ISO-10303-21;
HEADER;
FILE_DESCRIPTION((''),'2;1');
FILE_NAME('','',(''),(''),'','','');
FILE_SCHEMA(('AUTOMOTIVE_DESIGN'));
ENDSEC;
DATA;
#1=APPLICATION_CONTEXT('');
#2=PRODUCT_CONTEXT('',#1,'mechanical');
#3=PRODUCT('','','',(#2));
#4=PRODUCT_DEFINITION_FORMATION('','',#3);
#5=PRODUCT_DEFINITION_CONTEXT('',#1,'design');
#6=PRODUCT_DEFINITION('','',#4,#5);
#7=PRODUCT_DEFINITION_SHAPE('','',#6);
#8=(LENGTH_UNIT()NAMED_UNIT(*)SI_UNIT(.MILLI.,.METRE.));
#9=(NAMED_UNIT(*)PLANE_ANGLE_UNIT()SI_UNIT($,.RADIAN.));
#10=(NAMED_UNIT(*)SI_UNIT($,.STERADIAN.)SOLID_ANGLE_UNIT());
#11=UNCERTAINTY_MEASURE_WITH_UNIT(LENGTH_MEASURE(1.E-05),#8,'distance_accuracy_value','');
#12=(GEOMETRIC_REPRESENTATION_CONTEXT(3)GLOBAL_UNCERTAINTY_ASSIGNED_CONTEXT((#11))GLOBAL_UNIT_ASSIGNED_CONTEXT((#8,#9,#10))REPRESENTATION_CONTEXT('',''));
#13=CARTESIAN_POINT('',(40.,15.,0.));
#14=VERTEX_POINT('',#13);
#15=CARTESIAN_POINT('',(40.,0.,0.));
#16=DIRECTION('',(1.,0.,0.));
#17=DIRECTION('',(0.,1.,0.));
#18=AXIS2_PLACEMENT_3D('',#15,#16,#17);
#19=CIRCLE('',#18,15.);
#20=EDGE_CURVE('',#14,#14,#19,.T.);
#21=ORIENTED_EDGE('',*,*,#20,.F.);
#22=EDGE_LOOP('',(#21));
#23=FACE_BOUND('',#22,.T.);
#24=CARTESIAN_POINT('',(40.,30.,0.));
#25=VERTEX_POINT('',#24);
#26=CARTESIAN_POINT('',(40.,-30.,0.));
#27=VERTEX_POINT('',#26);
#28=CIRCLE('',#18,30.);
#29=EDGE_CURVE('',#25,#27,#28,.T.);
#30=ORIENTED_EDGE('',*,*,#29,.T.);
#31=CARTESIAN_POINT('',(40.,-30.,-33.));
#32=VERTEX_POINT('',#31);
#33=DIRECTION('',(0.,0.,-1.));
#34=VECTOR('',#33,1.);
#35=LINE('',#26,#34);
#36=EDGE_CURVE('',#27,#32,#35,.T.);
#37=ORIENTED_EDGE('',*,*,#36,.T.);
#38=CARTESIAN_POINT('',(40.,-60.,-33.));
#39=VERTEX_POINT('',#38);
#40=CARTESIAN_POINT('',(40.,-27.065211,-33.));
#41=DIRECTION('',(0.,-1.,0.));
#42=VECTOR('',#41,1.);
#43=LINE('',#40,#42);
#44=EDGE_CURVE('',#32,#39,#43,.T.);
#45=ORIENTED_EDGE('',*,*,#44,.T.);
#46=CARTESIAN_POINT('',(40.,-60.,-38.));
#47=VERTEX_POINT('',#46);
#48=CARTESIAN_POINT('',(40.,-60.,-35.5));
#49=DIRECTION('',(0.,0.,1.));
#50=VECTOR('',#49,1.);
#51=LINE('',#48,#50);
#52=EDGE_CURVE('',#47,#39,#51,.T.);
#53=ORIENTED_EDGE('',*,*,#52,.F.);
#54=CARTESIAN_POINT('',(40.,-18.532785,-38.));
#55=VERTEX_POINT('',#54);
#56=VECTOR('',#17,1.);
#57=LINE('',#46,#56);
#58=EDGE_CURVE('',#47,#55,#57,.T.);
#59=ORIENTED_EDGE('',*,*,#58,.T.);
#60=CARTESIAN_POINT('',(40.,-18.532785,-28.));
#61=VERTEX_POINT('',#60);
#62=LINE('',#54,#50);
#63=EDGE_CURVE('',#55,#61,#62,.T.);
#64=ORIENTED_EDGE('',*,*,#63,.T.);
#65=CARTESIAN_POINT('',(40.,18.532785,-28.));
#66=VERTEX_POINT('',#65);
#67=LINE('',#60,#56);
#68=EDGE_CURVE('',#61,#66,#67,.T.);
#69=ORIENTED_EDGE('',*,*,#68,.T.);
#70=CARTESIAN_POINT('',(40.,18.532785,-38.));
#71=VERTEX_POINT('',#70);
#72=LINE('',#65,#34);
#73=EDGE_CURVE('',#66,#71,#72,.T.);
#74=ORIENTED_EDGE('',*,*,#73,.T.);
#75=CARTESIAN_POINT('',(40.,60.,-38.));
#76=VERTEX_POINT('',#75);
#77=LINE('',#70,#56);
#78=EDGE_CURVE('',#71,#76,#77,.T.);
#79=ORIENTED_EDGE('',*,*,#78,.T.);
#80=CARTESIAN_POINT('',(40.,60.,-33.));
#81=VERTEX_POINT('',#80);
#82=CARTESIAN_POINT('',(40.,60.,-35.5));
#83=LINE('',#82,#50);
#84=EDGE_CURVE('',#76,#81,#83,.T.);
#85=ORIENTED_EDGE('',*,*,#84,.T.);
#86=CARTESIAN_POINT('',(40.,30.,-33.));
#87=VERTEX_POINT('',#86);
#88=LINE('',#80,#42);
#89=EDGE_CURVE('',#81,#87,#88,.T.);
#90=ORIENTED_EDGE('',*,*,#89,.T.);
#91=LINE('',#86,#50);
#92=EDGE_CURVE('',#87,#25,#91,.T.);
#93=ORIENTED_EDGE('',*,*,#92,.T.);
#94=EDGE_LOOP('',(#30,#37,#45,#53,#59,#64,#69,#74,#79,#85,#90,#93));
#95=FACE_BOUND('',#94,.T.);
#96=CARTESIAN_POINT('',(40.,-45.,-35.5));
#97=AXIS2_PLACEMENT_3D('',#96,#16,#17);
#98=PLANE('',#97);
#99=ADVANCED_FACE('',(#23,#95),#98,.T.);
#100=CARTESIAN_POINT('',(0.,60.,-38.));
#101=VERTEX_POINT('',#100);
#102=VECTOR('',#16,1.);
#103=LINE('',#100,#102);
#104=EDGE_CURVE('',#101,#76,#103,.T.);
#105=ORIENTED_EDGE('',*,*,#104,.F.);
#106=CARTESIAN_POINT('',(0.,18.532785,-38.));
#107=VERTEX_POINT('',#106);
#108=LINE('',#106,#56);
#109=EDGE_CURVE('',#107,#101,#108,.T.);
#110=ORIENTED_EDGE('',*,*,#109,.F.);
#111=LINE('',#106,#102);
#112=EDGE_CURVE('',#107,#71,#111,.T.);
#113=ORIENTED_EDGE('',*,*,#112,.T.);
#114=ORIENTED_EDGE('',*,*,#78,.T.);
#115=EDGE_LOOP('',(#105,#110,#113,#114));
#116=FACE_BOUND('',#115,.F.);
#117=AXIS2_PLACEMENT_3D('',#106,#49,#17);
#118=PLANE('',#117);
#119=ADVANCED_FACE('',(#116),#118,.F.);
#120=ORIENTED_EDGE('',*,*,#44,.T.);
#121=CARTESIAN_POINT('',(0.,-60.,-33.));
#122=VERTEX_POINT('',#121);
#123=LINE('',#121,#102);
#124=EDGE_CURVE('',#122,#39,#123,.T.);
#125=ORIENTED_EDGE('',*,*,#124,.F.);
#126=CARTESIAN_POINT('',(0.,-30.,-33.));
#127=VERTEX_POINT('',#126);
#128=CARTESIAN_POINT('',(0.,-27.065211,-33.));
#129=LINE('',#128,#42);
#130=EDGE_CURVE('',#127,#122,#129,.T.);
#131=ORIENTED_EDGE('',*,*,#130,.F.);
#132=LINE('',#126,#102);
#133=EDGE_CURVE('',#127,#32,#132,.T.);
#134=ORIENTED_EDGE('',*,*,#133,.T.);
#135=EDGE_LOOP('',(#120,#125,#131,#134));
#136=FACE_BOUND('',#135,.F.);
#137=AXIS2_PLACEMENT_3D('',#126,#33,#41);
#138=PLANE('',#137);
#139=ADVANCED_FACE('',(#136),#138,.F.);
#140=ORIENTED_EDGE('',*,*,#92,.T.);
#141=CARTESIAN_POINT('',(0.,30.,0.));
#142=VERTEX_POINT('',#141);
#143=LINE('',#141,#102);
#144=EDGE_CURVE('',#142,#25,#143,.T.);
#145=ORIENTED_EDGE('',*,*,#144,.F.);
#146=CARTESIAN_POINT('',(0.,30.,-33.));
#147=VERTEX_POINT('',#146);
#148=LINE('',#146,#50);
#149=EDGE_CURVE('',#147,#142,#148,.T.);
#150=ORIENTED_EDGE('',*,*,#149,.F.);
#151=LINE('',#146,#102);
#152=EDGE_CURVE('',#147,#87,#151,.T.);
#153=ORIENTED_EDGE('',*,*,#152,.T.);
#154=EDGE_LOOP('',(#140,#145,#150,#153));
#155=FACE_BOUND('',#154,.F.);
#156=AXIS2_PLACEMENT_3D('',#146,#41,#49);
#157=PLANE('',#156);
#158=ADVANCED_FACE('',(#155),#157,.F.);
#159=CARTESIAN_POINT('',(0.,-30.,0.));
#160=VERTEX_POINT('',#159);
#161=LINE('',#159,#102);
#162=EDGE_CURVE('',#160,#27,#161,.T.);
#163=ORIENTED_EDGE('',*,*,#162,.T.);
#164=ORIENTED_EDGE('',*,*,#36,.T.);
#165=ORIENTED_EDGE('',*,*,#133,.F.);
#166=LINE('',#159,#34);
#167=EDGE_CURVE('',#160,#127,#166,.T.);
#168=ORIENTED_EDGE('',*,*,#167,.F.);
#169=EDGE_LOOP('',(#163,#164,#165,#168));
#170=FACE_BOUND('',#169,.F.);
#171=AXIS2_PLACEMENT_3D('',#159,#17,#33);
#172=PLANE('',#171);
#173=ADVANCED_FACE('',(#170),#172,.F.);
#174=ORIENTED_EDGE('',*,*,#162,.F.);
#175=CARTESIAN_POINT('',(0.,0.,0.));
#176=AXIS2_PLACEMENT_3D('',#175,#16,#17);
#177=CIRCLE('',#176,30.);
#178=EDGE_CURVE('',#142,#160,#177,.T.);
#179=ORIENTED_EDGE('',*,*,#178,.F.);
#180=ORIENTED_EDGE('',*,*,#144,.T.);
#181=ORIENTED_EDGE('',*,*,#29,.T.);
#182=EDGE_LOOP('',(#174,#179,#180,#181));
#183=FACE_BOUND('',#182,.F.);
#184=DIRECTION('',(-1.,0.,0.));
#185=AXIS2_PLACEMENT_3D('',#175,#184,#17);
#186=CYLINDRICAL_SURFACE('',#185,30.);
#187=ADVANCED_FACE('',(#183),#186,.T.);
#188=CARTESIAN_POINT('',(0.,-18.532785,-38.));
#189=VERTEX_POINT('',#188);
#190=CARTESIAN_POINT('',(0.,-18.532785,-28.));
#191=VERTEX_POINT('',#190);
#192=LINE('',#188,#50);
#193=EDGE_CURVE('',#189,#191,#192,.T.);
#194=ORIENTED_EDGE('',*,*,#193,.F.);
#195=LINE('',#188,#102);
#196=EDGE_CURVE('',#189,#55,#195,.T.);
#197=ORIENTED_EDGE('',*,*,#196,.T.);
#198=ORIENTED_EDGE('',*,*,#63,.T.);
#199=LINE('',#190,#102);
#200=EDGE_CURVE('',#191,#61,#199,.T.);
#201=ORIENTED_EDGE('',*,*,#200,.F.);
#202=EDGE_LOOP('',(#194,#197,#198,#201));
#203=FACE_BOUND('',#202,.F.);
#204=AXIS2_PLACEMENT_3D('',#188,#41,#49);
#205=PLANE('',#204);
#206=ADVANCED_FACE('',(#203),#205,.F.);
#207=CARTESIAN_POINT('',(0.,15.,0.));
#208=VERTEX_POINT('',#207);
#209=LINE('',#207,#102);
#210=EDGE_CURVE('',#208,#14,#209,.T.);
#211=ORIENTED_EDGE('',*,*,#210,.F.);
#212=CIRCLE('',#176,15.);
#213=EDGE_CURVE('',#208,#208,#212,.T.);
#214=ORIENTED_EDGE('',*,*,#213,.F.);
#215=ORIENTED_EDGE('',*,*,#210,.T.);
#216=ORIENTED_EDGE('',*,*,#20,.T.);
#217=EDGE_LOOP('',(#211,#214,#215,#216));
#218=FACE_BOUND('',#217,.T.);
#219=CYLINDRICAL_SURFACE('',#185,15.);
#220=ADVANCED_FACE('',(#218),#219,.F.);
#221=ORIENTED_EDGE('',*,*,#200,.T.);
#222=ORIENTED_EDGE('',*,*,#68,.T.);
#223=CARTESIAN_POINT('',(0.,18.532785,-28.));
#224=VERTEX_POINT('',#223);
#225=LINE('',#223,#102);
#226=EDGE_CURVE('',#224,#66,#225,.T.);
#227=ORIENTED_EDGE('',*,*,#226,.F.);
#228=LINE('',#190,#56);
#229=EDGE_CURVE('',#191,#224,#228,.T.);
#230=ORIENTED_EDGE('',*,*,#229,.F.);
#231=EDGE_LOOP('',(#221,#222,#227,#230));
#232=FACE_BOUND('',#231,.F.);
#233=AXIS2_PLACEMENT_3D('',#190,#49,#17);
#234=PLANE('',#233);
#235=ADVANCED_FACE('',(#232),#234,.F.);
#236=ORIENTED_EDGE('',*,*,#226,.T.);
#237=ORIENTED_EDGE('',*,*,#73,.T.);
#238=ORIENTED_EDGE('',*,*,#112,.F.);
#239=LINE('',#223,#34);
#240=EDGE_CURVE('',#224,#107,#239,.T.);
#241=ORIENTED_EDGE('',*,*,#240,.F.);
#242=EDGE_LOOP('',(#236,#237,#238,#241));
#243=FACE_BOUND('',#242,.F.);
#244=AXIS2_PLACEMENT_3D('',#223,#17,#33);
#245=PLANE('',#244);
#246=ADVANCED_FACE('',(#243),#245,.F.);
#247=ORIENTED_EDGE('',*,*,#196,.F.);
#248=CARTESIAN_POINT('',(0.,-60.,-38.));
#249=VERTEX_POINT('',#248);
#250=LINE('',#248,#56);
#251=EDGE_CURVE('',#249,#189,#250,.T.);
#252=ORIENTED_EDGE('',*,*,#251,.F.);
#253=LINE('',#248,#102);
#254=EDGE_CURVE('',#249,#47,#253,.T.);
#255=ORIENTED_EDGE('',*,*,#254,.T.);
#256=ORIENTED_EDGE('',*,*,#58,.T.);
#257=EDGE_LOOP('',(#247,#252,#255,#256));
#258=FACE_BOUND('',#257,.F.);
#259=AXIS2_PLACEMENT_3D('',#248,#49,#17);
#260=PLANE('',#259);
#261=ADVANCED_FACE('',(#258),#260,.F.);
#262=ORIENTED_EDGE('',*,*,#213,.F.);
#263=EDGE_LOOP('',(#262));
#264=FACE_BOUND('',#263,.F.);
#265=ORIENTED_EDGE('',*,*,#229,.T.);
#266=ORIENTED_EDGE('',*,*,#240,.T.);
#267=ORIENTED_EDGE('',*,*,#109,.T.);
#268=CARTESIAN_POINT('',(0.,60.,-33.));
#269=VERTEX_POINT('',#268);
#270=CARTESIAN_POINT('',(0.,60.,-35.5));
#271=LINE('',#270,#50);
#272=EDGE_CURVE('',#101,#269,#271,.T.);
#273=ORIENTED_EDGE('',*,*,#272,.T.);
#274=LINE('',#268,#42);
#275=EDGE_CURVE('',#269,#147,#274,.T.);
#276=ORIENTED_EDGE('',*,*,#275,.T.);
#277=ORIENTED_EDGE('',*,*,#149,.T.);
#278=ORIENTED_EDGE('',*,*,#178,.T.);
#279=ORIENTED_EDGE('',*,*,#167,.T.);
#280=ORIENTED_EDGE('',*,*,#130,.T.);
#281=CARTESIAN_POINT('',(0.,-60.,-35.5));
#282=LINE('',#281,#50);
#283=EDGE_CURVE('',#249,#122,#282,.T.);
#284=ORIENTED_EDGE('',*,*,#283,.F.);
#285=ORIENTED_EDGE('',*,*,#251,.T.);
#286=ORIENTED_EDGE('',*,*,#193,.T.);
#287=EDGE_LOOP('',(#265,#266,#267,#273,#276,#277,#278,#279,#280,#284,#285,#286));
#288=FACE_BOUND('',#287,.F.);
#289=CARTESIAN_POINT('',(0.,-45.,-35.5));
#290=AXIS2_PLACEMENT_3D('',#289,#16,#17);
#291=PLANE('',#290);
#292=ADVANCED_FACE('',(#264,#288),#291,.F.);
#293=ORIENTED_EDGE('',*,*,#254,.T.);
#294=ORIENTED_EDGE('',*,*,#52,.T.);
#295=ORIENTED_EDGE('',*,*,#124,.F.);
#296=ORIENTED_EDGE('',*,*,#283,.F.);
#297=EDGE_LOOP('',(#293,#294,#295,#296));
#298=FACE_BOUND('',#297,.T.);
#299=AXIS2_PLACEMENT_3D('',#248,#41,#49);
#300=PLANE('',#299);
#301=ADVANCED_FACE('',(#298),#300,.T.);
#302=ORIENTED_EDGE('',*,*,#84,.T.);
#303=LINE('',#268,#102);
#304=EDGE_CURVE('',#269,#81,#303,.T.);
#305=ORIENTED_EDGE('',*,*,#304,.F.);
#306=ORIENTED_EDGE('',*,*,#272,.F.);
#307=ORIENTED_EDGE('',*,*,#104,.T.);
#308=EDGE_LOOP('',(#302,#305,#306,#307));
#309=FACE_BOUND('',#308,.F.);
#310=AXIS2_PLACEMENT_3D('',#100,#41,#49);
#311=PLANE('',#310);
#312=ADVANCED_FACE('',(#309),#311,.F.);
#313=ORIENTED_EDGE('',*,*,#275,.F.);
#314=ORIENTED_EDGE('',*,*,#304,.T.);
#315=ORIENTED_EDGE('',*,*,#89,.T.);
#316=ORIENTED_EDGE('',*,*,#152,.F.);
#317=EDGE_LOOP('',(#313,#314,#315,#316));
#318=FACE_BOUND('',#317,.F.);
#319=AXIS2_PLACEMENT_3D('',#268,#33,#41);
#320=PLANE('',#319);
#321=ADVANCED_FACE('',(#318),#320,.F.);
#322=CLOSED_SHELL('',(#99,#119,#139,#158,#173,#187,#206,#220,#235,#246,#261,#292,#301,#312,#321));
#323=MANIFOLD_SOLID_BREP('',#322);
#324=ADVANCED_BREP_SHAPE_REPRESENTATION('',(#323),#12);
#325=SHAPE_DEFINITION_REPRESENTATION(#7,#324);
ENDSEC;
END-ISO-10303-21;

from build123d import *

# Parameters (mm, degrees)
F0_W     = 30
F0_H     = 5
F0_W_2   = 2.9347892106
F0_R     = 15
F1_DEPTH = 40


with BuildPart() as f1:
    # F0 (on Right) → F1 (new body)
    with BuildSketch(Plane.YZ):
        with Locations((-45, -35.5)):
            Rectangle(F0_W, F0_H)
        with Locations((45, -35.5)):
            Rectangle(F0_W, F0_H)
        with Locations((-28.5326053947, -35.5)):
            Rectangle(F0_W_2, F0_H)
        with Locations((28.5326053947, -35.5)):
            Rectangle(F0_W_2, F0_H)
        with BuildLine():
            ThreePointArc((-21.2494555861, -21.1768892261), (-27.7261940012, -11.4567956344), (-30, 0))
            Line((-30, 0), (-30, -33))
            Line((-30, -33), (-27.0652107894, -33))
            Line((-27.0652107894, -33), (-27.0652107894, -38))
            Line((-27.0652107894, -38), (-21.2494555861, -38))
            Line((-21.2494555861, -38), (-21.2494555861, -21.1768892261))
        make_face()
        with BuildLine():
            Line((30, -33), (30, 0))
            ThreePointArc((30, 0), (27.7261940012, -11.4567956344), (21.2494555861, -21.1768892261))
            Line((21.2494555861, -21.1768892261), (21.2494555861, -38))
            Line((21.2494555861, -38), (27.0652107894, -38))
            Line((27.0652107894, -38), (27.0652107894, -33))
            Line((27.0652107894, -33), (30, -33))
        make_face()
        with BuildLine():
            Line((21.2494555861, -38), (21.2494555861, -21.1768892261))
            ThreePointArc((21.2494555861, -21.1768892261), (16.3693424189, -25.1404977829), (10.7703296143, -28))
            Line((10.7703296143, -28), (18.5327846557, -28))
            Line((18.5327846557, -28), (18.5327846557, -38))
            Line((18.5327846557, -38), (21.2494555861, -38))
        make_face()
        with BuildLine():
            ThreePointArc((-10.7703296143, -28), (-16.3693424189, -25.1404977829), (-21.2494555861, -21.1768892261))
            Line((-21.2494555861, -21.1768892261), (-21.2494555861, -38))
            Line((-21.2494555861, -38), (-18.5327846557, -38))
            Line((-18.5327846557, -38), (-18.5327846557, -28))
            Line((-18.5327846557, -28), (-10.7703296143, -28))
        make_face()
        with BuildLine():
            ThreePointArc((21.2494555861, -21.1768892261), (27.7261940012, -11.4567956344), (30, 0))
            ThreePointArc((30, 0), (0, 30), (-30, 0))
            ThreePointArc((-30, 0), (-27.7261940012, -11.4567956344), (-21.2494555861, -21.1768892261))
            ThreePointArc((-21.2494555861, -21.1768892261), (-16.3693424189, -25.1404977829), (-10.7703296143, -28))
            Line((-10.7703296143, -28), (0, -28))
            Line((0, -28), (10.7703296143, -28))
            ThreePointArc((10.7703296143, -28), (16.3693424189, -25.1404977829), (21.2494555861, -21.1768892261))
        make_face()
        Circle(F0_R, mode=Mode.SUBTRACT)
    extrude(amount=F1_DEPTH)


solid = f1.part
